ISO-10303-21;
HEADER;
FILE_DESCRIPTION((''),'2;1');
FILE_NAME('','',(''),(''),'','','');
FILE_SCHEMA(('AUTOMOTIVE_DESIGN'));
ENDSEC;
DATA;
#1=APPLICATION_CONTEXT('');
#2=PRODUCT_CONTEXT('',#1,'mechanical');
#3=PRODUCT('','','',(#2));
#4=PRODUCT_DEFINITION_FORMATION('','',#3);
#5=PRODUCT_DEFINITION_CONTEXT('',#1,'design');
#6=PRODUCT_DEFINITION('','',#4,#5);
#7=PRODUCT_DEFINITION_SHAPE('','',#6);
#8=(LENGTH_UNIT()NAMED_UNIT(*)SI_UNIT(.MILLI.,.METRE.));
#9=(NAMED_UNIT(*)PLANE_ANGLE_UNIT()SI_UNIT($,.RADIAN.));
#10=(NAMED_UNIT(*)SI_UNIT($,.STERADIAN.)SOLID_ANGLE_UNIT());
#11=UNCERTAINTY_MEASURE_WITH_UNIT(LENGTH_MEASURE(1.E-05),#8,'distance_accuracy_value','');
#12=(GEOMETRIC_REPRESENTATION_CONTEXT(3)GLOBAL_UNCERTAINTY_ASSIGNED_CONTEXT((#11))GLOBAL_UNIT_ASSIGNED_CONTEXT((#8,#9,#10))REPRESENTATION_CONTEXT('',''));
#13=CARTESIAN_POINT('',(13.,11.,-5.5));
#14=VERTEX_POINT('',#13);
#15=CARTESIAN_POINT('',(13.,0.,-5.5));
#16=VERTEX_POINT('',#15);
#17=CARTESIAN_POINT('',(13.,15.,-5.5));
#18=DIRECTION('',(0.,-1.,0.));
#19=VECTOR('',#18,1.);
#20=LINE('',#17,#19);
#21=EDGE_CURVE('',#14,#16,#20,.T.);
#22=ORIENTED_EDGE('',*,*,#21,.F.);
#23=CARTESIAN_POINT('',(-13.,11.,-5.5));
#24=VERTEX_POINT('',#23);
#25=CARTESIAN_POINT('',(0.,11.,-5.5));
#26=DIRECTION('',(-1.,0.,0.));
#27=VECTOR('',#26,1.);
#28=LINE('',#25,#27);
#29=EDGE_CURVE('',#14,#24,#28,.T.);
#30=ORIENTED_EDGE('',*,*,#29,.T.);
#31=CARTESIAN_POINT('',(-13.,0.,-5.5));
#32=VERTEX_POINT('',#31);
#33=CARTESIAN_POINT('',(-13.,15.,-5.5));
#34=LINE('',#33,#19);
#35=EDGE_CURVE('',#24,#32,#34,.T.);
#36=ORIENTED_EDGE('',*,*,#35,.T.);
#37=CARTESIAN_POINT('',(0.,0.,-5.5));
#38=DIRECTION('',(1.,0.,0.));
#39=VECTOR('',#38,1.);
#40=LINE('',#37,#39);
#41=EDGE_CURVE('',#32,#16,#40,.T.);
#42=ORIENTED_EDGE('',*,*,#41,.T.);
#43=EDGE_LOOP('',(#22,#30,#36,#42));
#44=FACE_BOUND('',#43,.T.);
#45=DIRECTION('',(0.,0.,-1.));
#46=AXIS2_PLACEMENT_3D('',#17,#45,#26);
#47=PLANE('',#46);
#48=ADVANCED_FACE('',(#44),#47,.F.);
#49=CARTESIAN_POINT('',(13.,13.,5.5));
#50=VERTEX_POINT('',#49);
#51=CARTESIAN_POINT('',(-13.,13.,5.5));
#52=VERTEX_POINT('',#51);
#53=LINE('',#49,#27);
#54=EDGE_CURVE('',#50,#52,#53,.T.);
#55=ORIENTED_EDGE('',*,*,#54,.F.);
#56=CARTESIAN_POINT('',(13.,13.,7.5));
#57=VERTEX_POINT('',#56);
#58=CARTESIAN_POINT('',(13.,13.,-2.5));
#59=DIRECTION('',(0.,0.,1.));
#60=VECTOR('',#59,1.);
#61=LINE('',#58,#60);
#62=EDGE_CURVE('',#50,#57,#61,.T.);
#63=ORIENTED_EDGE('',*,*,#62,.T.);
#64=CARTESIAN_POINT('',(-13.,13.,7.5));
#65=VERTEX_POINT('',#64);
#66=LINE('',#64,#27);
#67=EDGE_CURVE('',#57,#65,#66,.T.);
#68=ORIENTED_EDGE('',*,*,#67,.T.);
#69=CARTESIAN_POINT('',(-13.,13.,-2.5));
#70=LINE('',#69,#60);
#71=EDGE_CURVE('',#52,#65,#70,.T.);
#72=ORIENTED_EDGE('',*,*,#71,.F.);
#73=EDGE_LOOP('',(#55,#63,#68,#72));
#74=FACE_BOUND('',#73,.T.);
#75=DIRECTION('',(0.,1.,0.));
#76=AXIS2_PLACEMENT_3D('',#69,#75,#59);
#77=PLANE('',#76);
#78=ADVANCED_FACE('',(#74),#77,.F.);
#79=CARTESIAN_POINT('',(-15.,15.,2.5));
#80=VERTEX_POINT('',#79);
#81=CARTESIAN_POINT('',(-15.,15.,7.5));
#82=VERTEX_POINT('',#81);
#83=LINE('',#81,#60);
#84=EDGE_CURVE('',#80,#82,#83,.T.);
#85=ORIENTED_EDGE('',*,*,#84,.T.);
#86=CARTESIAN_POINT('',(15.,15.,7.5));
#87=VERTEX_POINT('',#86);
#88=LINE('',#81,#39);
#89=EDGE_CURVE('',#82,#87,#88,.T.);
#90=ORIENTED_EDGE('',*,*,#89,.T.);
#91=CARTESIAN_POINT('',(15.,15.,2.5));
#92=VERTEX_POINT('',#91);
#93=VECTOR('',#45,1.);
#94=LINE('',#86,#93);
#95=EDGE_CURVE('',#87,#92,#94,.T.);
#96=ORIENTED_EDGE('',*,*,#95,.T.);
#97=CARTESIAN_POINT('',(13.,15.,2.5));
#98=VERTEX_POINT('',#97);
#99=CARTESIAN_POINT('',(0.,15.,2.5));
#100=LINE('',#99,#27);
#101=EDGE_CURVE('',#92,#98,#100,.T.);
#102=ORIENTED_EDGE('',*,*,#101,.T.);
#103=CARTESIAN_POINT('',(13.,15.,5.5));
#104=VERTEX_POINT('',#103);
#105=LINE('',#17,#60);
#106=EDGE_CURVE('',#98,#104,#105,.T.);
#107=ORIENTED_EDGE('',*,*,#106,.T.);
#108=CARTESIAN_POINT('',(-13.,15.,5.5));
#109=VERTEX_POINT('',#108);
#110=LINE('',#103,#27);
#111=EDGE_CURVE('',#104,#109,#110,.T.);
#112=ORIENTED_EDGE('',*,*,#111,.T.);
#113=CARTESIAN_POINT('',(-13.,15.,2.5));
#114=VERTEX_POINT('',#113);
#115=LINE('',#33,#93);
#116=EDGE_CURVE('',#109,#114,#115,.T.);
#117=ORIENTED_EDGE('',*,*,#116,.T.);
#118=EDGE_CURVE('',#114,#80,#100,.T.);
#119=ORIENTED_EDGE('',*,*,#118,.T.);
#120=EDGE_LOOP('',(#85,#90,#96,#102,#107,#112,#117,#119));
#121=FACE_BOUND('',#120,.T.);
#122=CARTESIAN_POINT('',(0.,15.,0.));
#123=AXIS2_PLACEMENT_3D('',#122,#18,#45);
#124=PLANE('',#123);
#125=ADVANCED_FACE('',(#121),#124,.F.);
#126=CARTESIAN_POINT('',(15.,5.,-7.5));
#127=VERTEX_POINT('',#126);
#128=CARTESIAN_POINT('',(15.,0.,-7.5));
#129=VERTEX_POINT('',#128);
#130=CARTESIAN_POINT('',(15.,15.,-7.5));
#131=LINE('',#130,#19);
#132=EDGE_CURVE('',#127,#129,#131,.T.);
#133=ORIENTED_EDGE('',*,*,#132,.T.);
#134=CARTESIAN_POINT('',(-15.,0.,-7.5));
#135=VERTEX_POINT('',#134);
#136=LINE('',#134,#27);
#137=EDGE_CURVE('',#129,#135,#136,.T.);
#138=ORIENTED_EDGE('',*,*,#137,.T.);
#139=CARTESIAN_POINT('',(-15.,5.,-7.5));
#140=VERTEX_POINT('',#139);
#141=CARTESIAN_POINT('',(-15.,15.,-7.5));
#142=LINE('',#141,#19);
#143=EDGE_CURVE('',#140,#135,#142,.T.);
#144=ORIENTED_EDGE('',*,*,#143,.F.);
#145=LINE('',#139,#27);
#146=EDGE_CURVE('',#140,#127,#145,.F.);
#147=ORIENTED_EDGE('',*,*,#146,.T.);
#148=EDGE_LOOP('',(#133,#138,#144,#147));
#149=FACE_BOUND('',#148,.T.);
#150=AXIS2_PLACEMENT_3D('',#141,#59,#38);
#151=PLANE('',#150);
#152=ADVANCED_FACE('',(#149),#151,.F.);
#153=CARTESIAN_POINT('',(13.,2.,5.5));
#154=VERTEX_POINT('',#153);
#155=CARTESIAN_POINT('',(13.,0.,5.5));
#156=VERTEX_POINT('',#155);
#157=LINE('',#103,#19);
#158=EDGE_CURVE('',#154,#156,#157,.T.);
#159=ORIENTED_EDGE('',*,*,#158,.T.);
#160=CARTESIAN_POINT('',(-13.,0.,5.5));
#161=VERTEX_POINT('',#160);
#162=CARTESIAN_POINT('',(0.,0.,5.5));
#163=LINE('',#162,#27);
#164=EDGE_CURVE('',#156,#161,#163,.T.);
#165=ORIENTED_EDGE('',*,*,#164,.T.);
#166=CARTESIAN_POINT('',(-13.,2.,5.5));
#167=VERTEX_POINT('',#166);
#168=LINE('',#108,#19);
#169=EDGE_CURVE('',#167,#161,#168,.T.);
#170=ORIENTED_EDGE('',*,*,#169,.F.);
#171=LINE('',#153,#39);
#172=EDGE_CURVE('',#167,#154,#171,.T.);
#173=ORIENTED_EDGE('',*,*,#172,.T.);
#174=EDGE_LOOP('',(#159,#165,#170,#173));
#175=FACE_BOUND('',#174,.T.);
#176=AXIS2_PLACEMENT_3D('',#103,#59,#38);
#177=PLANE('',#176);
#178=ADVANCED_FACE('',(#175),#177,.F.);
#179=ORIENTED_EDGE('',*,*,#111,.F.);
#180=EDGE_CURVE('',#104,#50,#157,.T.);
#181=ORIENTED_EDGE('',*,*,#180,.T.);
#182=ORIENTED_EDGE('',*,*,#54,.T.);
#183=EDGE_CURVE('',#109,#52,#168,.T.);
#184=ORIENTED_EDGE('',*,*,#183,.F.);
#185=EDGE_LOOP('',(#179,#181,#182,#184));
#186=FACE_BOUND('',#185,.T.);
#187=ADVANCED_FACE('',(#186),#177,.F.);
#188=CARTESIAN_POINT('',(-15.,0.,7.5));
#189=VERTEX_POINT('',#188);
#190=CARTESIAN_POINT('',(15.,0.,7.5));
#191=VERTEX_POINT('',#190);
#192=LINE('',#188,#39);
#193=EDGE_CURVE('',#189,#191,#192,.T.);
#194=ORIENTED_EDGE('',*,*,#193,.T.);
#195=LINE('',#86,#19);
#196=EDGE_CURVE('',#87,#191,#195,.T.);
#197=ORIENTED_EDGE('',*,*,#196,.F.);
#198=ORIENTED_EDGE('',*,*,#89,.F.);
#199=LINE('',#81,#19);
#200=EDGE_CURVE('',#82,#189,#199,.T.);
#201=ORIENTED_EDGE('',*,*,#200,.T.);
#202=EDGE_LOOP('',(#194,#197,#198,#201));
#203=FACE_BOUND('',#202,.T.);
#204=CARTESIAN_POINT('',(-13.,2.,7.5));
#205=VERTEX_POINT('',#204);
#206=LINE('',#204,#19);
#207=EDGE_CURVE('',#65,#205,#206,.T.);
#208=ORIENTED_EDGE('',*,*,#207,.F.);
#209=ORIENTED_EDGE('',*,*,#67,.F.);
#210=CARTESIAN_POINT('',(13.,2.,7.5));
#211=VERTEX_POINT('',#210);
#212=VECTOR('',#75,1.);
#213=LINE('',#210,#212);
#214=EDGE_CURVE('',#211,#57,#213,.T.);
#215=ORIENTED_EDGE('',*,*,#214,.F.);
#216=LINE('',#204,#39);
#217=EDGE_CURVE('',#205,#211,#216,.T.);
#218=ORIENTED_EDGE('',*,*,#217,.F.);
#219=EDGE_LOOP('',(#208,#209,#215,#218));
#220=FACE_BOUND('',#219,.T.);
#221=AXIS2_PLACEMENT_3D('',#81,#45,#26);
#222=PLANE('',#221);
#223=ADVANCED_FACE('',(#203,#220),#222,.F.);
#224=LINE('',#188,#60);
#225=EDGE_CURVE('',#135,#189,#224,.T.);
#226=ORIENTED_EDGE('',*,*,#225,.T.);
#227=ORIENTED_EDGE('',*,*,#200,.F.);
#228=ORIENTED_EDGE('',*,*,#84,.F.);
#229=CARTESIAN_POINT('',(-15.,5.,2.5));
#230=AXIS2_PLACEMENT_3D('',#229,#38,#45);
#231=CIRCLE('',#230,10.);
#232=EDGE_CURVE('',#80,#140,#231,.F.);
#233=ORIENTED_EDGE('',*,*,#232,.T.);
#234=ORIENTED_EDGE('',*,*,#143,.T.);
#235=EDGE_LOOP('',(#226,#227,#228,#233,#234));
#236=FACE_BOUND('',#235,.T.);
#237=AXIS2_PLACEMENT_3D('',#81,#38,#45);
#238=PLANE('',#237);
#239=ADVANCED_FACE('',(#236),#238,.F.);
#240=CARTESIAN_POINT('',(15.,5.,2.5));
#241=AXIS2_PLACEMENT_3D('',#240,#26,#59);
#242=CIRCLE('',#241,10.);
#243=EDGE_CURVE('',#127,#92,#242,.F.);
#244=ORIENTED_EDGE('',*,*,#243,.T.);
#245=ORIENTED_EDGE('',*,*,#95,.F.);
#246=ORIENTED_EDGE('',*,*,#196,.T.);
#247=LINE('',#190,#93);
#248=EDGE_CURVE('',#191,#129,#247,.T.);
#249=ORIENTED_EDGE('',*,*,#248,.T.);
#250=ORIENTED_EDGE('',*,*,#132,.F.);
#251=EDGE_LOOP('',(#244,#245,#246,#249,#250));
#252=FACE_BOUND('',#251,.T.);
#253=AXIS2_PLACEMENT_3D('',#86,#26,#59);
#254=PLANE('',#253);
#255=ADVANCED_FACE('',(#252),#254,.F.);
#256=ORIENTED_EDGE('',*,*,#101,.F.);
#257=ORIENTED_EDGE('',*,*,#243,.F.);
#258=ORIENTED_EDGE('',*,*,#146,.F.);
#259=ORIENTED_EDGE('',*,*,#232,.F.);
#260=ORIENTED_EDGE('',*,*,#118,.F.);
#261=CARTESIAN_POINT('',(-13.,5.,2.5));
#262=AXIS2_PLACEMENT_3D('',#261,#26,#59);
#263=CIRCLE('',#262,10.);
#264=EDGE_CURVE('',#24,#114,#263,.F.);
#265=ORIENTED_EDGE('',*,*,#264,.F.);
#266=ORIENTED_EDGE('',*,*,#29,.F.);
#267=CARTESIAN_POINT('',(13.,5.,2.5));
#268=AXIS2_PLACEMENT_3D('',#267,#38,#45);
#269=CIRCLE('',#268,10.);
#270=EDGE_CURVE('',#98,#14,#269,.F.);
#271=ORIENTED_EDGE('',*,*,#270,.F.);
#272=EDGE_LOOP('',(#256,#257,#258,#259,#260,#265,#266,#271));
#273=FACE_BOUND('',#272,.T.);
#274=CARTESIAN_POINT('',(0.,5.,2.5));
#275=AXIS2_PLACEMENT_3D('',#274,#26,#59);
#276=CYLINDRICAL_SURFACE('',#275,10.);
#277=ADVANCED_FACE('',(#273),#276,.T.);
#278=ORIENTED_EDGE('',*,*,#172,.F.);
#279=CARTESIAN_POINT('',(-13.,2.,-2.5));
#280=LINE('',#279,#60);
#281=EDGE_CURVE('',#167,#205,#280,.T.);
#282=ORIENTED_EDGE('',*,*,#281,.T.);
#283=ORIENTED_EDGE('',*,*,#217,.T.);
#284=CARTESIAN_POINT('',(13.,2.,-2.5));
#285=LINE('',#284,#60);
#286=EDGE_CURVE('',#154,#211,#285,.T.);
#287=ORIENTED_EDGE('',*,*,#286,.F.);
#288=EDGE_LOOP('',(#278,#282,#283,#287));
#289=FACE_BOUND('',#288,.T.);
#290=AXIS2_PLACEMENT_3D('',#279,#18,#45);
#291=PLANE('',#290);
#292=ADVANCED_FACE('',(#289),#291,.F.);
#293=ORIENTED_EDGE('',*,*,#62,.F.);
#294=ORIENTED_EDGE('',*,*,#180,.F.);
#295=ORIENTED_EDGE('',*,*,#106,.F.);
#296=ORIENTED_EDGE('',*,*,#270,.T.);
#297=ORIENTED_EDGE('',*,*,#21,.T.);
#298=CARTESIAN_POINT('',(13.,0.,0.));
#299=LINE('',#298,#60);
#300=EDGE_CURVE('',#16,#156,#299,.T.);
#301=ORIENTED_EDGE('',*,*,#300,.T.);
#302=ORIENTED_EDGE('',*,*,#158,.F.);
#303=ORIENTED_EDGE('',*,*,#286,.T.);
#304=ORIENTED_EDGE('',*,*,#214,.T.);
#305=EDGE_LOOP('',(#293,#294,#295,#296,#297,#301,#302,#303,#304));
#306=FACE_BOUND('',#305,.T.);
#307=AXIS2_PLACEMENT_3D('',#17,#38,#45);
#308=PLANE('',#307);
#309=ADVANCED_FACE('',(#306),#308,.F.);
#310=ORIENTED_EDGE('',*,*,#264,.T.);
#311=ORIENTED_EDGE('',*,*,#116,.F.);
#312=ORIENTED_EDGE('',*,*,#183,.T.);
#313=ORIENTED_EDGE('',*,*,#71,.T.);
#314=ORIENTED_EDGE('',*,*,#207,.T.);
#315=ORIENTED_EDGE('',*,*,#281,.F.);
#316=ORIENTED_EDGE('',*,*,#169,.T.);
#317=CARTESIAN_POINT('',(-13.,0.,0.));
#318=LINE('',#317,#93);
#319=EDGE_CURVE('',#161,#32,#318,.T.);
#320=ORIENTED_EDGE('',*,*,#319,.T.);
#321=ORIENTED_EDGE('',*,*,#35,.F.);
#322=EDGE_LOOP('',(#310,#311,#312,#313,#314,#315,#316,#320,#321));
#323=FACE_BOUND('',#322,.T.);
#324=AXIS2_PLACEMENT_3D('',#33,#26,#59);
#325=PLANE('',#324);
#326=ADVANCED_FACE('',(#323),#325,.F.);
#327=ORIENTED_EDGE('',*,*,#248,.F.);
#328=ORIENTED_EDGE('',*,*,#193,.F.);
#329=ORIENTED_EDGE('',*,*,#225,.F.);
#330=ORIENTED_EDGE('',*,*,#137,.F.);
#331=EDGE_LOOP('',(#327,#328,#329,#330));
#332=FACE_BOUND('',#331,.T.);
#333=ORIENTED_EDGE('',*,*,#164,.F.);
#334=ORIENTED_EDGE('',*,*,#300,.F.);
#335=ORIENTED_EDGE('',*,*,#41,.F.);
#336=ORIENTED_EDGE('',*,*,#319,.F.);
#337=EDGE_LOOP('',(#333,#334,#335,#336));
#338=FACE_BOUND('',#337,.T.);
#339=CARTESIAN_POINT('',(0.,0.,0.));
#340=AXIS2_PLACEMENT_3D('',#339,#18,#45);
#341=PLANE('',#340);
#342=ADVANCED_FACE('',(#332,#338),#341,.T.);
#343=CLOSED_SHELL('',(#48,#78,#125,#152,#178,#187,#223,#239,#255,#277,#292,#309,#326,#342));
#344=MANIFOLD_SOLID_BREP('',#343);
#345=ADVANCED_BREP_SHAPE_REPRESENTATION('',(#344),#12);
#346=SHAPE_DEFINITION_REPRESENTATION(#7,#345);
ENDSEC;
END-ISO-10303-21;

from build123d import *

# Parameters (mm, degrees)
SKETCH12_W              = 30
SKETCH12_H              = 15
BOSS_EXTRUDE4_DEPTH     = 15
FILLET1_R               = 10
CUT_EXTRUDE8_DEPTH      = 23.5
CUT_EXTRUDE8_DEPTH_BACK = 23.5
SKETCH13_W              = 26
SKETCH13_H              = 11
SKETCH14_W              = 26
SKETCH14_H              = 11
CUT_EXTRUDE9_DEPTH      = 10


with BuildPart() as part:
    # Sketch12 → Boss-Extrude4 (new body)
    with BuildSketch(Plane(origin=(0, 0, 0), x_dir=(1, 0, 0), z_dir=(0, 1, 0))):
        Rectangle(SKETCH12_W, SKETCH12_H)
    extrude(amount=BOSS_EXTRUDE4_DEPTH)

    # Fillet1
    fillet1_edges = [part.edges().sort_by_distance(p)[0] for p in [
        (0, 15, -7.5),
    ]]
    fillet(fillet1_edges, radius=FILLET1_R)

    # Sketch13 → Cut-Extrude8 (cut, two sides: drawn at the far end of the back side and taken through both)
    with BuildSketch(Plane.XZ.offset(-CUT_EXTRUDE8_DEPTH_BACK)):
        Rectangle(SKETCH13_W, SKETCH13_H)
    extrude(amount=CUT_EXTRUDE8_DEPTH + CUT_EXTRUDE8_DEPTH_BACK, mode=Mode.SUBTRACT)

    # Sketch14 → Cut-Extrude9 (cut)
    with BuildSketch(Plane.XY.offset(7.5)):
        with Locations((0, 7.5)):
            Rectangle(SKETCH14_W, SKETCH14_H)
    extrude(amount=-CUT_EXTRUDE9_DEPTH, mode=Mode.SUBTRACT)


solid = part.part
